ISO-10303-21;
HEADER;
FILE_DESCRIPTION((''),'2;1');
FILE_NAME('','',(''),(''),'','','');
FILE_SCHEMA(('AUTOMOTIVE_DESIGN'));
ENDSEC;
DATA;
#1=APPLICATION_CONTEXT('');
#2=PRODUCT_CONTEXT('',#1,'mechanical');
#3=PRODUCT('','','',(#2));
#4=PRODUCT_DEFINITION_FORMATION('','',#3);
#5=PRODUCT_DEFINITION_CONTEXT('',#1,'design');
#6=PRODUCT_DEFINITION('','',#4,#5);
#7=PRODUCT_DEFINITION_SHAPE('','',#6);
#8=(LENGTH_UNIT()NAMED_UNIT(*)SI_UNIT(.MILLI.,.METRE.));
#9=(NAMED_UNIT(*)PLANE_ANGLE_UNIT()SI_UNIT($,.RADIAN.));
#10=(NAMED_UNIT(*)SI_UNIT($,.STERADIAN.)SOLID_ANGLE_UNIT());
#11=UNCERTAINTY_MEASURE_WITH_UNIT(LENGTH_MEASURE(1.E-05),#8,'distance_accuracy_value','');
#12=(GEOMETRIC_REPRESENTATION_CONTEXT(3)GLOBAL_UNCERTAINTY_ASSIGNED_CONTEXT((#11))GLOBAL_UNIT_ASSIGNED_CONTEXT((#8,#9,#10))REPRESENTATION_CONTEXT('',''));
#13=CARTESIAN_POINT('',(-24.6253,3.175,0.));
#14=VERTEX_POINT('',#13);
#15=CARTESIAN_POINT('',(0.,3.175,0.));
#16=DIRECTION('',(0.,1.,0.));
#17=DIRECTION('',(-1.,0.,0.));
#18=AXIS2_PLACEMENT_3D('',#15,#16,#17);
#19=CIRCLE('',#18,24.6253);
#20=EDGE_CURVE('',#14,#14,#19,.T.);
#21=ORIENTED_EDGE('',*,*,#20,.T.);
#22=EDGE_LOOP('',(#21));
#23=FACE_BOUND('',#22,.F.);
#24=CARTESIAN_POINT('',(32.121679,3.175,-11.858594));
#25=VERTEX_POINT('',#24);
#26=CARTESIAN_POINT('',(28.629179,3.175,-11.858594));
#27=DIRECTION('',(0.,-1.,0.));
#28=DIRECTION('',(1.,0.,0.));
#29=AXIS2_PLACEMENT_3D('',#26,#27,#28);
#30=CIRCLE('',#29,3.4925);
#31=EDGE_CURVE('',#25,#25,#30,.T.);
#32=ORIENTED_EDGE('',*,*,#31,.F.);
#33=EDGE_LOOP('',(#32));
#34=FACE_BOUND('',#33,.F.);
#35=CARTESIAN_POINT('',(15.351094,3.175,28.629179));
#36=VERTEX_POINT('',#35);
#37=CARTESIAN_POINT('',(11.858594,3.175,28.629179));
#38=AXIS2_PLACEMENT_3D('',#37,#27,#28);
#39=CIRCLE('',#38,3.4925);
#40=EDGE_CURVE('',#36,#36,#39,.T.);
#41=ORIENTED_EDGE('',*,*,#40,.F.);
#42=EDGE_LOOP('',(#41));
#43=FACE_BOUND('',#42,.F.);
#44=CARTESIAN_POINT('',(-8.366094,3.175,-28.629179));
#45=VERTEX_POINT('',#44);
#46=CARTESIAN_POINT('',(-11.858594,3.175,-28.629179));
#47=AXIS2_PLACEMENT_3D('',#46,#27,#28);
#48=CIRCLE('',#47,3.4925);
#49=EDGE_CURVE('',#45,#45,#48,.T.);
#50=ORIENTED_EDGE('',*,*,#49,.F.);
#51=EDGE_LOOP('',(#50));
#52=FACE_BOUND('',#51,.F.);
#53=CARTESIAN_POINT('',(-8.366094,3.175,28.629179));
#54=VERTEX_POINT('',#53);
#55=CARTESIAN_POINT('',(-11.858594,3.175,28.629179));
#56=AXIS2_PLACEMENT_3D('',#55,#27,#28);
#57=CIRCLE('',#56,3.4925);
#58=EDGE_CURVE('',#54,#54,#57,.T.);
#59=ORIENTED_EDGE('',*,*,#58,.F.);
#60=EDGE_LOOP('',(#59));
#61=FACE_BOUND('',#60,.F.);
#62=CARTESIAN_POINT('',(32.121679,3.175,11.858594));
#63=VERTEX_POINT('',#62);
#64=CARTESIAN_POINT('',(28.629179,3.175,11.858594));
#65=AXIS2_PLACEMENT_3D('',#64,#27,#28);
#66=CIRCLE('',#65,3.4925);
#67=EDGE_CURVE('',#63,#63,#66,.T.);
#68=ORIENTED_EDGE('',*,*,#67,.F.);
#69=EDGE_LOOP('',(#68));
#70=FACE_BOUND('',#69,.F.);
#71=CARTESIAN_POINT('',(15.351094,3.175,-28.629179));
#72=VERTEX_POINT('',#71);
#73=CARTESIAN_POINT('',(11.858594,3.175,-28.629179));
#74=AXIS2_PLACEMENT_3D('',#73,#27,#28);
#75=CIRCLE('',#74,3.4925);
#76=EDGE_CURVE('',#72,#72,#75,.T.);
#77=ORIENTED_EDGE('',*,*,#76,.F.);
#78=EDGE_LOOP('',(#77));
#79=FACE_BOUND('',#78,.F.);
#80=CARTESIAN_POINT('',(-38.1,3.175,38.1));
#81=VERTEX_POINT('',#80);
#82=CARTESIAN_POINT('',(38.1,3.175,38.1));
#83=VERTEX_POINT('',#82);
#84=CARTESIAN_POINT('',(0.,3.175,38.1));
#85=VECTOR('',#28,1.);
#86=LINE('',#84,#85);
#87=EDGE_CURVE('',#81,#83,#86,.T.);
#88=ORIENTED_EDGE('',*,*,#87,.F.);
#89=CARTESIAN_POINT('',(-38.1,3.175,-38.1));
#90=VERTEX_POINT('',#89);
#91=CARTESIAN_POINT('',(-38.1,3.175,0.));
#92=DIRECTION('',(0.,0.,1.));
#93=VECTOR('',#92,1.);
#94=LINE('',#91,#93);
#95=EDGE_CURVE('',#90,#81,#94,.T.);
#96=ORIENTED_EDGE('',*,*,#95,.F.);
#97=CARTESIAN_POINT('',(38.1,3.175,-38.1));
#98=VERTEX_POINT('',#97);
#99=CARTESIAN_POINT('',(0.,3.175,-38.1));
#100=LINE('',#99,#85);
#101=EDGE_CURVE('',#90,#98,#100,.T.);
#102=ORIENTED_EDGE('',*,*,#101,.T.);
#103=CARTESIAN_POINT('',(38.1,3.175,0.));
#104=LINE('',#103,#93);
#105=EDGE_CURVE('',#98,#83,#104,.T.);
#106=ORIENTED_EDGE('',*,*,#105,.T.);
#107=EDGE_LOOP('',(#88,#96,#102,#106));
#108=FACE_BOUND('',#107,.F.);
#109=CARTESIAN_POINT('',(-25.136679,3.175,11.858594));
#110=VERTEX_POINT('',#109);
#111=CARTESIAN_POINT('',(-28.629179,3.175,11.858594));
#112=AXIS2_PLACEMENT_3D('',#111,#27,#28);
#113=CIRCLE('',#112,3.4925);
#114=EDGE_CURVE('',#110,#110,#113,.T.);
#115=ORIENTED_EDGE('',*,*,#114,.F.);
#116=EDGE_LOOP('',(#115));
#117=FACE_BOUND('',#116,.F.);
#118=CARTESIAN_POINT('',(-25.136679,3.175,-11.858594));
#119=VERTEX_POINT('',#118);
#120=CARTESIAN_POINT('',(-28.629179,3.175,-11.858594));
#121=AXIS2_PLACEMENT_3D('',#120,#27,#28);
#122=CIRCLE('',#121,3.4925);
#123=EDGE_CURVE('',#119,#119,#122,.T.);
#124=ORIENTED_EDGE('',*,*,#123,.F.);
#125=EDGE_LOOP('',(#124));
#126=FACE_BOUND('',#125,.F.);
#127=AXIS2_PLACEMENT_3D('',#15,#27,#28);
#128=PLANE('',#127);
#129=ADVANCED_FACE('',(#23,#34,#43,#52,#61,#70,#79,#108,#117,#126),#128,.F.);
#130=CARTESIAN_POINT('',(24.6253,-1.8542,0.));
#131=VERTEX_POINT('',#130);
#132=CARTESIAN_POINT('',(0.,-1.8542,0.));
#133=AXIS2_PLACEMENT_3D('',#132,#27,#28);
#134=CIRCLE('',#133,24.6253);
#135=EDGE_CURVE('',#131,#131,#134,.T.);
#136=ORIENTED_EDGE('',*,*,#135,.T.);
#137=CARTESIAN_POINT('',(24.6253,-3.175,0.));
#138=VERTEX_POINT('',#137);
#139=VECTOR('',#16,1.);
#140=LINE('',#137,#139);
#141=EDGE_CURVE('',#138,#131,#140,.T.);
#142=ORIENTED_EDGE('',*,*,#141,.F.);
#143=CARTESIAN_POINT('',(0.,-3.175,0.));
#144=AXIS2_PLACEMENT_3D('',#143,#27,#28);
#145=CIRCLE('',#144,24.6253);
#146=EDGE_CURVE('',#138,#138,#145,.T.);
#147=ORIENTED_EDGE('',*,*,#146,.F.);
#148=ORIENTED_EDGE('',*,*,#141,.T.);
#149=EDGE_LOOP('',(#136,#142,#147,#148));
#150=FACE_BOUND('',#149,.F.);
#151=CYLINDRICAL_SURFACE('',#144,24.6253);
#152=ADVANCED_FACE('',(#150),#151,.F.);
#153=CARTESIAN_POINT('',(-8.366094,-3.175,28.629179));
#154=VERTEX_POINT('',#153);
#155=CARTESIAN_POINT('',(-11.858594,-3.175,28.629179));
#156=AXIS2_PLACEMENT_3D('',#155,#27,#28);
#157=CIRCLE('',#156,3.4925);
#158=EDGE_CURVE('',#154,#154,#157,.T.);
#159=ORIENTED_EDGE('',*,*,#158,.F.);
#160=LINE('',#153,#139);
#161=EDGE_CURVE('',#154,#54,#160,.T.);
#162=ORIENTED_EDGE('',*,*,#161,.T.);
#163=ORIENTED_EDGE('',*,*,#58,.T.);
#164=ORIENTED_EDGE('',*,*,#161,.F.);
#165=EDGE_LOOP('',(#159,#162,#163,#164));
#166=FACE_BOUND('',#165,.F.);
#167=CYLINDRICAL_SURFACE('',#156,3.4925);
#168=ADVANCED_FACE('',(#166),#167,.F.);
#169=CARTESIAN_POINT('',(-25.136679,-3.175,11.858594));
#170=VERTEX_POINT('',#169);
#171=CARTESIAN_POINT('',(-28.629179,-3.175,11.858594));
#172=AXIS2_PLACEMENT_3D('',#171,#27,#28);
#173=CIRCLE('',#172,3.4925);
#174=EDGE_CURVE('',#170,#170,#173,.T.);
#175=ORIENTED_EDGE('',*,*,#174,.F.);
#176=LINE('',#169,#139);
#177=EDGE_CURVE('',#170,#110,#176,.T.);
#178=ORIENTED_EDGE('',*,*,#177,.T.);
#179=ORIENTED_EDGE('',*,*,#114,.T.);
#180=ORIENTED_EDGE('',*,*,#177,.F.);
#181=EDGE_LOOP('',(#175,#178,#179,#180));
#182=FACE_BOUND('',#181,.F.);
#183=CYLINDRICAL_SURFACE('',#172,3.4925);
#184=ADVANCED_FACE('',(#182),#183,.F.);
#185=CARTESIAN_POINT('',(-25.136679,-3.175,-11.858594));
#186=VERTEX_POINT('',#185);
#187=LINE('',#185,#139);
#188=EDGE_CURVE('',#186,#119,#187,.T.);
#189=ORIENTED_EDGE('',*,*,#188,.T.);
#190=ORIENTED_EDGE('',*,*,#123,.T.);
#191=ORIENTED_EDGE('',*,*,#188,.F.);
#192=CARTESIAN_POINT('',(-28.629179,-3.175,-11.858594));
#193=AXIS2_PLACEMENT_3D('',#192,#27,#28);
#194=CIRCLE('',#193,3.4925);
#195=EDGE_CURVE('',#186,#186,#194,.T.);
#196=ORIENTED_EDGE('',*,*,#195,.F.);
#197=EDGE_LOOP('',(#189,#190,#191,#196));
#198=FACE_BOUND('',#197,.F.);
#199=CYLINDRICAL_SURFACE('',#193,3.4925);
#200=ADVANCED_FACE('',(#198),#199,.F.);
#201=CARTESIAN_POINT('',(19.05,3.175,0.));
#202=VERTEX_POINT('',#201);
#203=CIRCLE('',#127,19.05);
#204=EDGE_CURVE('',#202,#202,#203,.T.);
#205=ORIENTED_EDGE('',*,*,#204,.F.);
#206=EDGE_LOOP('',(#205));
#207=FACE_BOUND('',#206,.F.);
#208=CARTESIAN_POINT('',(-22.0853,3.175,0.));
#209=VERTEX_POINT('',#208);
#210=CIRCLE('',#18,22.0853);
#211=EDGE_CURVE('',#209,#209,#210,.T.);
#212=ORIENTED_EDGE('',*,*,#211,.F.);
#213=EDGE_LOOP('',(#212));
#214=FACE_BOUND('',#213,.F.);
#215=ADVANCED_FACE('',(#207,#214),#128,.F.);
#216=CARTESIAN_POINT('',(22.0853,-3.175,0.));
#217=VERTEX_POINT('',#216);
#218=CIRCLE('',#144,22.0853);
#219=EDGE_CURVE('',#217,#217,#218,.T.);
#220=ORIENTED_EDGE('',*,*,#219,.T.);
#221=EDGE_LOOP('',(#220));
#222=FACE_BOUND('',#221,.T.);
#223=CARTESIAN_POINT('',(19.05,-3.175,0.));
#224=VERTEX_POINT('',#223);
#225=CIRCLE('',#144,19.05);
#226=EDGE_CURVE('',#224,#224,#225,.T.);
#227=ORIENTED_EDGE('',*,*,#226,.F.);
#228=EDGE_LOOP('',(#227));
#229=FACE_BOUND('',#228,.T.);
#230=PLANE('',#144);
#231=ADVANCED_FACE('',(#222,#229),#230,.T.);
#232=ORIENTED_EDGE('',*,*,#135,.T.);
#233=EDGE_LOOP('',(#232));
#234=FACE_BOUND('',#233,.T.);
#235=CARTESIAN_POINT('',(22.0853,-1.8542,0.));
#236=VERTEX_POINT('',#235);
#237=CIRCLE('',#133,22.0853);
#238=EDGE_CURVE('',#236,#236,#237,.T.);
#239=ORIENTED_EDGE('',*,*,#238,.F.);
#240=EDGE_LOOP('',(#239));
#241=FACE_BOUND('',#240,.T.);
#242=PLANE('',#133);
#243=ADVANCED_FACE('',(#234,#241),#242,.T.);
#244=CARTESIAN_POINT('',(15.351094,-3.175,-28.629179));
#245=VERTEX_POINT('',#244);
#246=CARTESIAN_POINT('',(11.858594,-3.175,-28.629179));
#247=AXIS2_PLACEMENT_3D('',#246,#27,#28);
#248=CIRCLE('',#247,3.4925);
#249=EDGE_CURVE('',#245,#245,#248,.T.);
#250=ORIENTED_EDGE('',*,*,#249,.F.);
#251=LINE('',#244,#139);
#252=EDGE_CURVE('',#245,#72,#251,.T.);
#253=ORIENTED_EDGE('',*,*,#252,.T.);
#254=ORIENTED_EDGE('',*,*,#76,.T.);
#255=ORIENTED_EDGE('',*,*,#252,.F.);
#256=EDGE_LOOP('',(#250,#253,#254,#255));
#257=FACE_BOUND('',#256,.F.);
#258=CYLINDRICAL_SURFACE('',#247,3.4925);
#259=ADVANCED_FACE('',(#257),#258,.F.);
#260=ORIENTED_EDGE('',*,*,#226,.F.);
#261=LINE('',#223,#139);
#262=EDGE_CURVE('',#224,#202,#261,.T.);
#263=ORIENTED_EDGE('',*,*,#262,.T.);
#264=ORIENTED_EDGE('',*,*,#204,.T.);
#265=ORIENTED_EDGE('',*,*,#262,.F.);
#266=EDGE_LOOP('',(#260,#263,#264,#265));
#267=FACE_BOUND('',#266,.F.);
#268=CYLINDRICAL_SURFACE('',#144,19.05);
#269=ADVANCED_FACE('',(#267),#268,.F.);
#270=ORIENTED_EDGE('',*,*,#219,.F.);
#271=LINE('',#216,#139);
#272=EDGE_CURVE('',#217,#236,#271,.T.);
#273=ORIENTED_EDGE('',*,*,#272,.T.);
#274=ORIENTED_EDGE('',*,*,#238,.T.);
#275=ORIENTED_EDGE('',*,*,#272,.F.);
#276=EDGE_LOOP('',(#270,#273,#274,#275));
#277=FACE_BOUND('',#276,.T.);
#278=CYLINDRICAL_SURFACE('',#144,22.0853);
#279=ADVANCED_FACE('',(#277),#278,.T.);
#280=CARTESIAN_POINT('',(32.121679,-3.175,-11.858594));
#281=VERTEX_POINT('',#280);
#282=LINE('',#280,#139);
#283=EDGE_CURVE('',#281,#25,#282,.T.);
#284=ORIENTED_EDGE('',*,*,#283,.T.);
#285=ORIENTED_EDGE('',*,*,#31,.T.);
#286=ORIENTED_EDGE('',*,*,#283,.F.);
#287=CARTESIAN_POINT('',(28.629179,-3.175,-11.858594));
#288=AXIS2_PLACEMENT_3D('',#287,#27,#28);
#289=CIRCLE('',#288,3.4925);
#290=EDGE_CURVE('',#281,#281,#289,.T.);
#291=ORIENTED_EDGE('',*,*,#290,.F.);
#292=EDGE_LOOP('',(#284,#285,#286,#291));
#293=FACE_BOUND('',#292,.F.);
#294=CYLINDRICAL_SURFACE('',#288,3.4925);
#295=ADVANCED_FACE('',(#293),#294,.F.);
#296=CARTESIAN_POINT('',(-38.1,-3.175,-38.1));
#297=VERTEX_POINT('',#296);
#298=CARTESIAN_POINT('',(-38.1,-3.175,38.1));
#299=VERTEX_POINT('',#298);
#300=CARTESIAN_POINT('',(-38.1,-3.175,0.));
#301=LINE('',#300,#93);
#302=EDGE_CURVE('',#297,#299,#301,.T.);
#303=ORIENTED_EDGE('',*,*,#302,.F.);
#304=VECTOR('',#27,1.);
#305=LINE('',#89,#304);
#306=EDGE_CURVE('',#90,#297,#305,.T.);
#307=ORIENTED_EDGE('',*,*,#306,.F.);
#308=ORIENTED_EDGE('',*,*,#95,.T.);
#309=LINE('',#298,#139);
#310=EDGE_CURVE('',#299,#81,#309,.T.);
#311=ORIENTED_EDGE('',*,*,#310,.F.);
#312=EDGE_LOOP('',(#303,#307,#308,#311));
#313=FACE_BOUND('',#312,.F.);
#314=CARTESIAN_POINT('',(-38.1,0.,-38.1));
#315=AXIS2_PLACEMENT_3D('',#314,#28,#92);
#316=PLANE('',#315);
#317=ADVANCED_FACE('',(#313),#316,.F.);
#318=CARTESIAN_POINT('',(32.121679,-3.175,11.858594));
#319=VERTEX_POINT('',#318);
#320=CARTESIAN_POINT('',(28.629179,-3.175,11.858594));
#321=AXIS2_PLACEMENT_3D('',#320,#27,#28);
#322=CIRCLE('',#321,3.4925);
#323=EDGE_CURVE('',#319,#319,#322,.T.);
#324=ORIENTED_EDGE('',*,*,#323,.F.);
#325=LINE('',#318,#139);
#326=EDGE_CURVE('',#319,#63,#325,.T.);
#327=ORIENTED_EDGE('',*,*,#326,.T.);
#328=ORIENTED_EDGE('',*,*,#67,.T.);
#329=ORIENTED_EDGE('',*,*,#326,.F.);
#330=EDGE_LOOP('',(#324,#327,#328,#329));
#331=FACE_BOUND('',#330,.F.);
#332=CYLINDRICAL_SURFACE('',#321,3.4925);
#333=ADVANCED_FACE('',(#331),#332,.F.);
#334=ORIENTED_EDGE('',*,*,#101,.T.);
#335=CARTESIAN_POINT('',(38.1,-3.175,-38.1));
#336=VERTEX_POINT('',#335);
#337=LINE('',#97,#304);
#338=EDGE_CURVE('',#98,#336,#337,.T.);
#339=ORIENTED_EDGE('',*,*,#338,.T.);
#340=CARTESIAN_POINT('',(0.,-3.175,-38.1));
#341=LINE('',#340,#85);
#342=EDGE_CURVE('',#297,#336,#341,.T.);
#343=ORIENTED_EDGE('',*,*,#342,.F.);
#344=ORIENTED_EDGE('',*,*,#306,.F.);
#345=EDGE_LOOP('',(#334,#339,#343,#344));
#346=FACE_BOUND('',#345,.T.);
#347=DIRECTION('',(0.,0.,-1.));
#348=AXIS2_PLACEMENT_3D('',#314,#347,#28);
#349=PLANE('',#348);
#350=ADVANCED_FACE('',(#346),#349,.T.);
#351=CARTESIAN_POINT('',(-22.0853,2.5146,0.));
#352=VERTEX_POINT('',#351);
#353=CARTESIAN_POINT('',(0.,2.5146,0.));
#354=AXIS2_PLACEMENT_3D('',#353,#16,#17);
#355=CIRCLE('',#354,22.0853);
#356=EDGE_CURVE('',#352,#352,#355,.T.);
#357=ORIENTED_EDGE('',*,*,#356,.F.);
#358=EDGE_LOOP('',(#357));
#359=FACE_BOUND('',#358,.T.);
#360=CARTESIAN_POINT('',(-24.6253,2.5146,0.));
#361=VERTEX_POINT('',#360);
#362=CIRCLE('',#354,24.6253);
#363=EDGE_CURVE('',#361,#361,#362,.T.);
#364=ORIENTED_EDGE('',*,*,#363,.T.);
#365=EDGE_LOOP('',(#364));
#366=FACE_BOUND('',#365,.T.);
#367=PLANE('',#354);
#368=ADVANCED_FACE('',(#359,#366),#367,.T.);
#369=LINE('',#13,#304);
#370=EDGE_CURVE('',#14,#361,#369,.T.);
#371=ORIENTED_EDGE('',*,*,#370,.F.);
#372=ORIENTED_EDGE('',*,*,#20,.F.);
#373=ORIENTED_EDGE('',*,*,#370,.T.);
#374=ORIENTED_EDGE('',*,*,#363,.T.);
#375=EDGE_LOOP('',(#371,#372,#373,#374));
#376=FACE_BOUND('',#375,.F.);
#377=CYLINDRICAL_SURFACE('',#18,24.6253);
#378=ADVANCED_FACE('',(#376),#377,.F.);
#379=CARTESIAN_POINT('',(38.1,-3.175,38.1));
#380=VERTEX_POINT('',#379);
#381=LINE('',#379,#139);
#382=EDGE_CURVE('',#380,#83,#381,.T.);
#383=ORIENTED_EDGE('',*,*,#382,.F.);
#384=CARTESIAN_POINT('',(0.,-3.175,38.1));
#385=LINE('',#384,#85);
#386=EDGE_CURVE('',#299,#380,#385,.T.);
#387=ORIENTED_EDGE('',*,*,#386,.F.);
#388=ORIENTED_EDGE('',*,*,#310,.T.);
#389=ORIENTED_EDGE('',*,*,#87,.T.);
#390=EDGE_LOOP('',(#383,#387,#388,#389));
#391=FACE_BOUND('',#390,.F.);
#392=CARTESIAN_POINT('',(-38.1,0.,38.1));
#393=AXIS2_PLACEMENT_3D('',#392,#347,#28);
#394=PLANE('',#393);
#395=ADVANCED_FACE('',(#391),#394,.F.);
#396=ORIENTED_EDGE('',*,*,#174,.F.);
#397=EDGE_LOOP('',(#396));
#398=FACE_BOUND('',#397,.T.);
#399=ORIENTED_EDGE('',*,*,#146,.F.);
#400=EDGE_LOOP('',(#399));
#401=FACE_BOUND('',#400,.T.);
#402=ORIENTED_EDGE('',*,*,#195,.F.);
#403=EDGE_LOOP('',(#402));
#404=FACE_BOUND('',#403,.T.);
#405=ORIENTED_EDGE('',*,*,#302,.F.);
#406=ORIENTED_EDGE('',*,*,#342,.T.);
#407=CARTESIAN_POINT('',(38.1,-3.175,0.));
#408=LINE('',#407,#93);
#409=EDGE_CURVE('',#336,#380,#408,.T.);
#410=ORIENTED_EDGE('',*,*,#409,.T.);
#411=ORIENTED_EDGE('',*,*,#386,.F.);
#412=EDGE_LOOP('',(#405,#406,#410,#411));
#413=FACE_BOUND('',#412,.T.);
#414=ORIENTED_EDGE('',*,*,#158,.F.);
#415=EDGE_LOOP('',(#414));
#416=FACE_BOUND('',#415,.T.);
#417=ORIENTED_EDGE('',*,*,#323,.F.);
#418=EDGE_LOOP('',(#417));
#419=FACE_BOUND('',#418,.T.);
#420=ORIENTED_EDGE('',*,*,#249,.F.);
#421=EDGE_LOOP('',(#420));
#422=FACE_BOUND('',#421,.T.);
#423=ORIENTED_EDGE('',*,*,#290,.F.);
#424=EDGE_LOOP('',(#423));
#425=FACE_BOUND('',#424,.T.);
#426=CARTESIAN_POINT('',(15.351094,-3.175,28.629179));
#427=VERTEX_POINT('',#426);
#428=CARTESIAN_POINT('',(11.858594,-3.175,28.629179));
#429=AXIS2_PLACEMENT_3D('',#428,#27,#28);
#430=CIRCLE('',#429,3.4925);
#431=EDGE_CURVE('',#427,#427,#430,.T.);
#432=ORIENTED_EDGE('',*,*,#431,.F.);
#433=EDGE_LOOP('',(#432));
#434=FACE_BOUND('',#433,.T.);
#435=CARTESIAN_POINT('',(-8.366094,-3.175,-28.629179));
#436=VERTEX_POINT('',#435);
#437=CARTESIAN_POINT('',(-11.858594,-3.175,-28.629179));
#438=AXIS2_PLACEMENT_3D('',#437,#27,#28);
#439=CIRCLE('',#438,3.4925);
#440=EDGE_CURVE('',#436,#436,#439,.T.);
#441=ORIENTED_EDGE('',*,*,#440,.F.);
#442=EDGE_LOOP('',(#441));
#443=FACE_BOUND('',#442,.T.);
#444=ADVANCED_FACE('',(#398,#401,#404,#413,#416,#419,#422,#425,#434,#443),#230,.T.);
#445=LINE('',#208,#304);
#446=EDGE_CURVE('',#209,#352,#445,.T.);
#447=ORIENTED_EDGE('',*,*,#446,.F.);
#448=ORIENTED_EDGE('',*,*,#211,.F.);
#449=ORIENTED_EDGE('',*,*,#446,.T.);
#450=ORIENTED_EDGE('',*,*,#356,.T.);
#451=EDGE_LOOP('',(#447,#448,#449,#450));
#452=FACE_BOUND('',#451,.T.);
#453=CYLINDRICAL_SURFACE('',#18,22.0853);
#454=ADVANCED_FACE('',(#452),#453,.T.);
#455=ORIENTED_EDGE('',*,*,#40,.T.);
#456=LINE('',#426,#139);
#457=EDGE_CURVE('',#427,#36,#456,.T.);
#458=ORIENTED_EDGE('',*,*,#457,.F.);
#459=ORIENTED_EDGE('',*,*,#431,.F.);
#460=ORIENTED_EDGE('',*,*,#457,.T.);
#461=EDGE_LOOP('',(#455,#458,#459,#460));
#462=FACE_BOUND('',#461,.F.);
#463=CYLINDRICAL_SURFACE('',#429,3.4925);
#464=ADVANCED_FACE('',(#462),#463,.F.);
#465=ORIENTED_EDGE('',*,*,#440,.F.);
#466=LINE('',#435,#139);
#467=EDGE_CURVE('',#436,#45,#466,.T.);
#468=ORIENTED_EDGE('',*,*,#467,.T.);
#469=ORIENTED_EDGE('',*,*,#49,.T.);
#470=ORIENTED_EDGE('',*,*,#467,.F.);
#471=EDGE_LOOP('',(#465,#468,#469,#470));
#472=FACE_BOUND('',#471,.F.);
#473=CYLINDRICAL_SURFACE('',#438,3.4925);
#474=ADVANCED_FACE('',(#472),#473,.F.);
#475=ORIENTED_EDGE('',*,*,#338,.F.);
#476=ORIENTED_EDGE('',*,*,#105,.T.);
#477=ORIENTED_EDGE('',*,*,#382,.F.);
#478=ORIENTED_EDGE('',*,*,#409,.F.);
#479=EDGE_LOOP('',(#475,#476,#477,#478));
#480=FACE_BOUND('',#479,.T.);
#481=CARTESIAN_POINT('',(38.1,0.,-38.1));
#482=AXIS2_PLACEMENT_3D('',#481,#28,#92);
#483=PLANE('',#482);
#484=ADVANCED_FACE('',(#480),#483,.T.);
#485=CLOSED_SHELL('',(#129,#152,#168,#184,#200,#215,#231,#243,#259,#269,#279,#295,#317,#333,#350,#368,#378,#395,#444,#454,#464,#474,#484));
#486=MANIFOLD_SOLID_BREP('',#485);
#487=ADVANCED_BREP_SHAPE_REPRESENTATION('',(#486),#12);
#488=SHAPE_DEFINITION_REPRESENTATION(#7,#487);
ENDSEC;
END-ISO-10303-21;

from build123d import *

# Parameters (mm, degrees)
F0_W     = 76.2
F0_H     = 76.2
F1_DEPTH = 3.175
F2_R     = 3.4925
F3_DEPTH = 25.4
F4_R     = 19.05
F5_DEPTH = 25.4
F6_R     = 24.6253
F6_R_2   = 22.0853
F7_DEPTH = 1.3208
F8_R     = 24.6253
F8_R_2   = 22.0853
F9_DEPTH = 0.6604


with BuildPart() as f1:
    # F0 (on Front) → F1 (new body, symmetric)
    with BuildSketch(Plane.XZ):
        Rectangle(F0_W, F0_H)
    extrude(amount=F1_DEPTH, both=True)

    # F2 (on face) → F3 (cut)
    with BuildSketch(Plane.XZ.offset(3.175)):
        with Locations((11.8585942021, 28.6291789535)):
            Circle(F2_R)
        with Locations((-11.8585942021, 28.6291789535)):
            Circle(F2_R)
        with Locations((-28.6291789535, 11.8585942021)):
            Circle(F2_R)
        with Locations((-28.6291789535, -11.8585942021)):
            Circle(F2_R)
        with Locations((-11.8585942021, -28.6291789535)):
            Circle(F2_R)
        with Locations((11.8585942021, -28.6291789535)):
            Circle(F2_R)
        with Locations((28.6291789535, -11.8585942021)):
            Circle(F2_R)
        with Locations((28.6291789535, 11.8585942021)):
            Circle(F2_R)
    extrude(amount=-F3_DEPTH, mode=Mode.SUBTRACT)

    # F4 (on face) → F5 (cut)
    with BuildSketch(Plane.XZ.offset(3.175)):
        Circle(F4_R)
    extrude(amount=-F5_DEPTH, mode=Mode.SUBTRACT)

    # F6 (on face) → F7 (cut)
    with BuildSketch(Plane.XZ.offset(3.175)):
        Circle(F6_R)
        Circle(F6_R_2, mode=Mode.SUBTRACT)
    extrude(amount=-F7_DEPTH, mode=Mode.SUBTRACT)

    # F8 (on face) → F9 (cut)
    with BuildSketch(Plane(origin=(0, 3.175, 0), x_dir=(-1, 0, 0), z_dir=(0, 1, 0))):
        Circle(F8_R)
        Circle(F8_R_2, mode=Mode.SUBTRACT)
    extrude(amount=-F9_DEPTH, mode=Mode.SUBTRACT)


solid = f1.part
